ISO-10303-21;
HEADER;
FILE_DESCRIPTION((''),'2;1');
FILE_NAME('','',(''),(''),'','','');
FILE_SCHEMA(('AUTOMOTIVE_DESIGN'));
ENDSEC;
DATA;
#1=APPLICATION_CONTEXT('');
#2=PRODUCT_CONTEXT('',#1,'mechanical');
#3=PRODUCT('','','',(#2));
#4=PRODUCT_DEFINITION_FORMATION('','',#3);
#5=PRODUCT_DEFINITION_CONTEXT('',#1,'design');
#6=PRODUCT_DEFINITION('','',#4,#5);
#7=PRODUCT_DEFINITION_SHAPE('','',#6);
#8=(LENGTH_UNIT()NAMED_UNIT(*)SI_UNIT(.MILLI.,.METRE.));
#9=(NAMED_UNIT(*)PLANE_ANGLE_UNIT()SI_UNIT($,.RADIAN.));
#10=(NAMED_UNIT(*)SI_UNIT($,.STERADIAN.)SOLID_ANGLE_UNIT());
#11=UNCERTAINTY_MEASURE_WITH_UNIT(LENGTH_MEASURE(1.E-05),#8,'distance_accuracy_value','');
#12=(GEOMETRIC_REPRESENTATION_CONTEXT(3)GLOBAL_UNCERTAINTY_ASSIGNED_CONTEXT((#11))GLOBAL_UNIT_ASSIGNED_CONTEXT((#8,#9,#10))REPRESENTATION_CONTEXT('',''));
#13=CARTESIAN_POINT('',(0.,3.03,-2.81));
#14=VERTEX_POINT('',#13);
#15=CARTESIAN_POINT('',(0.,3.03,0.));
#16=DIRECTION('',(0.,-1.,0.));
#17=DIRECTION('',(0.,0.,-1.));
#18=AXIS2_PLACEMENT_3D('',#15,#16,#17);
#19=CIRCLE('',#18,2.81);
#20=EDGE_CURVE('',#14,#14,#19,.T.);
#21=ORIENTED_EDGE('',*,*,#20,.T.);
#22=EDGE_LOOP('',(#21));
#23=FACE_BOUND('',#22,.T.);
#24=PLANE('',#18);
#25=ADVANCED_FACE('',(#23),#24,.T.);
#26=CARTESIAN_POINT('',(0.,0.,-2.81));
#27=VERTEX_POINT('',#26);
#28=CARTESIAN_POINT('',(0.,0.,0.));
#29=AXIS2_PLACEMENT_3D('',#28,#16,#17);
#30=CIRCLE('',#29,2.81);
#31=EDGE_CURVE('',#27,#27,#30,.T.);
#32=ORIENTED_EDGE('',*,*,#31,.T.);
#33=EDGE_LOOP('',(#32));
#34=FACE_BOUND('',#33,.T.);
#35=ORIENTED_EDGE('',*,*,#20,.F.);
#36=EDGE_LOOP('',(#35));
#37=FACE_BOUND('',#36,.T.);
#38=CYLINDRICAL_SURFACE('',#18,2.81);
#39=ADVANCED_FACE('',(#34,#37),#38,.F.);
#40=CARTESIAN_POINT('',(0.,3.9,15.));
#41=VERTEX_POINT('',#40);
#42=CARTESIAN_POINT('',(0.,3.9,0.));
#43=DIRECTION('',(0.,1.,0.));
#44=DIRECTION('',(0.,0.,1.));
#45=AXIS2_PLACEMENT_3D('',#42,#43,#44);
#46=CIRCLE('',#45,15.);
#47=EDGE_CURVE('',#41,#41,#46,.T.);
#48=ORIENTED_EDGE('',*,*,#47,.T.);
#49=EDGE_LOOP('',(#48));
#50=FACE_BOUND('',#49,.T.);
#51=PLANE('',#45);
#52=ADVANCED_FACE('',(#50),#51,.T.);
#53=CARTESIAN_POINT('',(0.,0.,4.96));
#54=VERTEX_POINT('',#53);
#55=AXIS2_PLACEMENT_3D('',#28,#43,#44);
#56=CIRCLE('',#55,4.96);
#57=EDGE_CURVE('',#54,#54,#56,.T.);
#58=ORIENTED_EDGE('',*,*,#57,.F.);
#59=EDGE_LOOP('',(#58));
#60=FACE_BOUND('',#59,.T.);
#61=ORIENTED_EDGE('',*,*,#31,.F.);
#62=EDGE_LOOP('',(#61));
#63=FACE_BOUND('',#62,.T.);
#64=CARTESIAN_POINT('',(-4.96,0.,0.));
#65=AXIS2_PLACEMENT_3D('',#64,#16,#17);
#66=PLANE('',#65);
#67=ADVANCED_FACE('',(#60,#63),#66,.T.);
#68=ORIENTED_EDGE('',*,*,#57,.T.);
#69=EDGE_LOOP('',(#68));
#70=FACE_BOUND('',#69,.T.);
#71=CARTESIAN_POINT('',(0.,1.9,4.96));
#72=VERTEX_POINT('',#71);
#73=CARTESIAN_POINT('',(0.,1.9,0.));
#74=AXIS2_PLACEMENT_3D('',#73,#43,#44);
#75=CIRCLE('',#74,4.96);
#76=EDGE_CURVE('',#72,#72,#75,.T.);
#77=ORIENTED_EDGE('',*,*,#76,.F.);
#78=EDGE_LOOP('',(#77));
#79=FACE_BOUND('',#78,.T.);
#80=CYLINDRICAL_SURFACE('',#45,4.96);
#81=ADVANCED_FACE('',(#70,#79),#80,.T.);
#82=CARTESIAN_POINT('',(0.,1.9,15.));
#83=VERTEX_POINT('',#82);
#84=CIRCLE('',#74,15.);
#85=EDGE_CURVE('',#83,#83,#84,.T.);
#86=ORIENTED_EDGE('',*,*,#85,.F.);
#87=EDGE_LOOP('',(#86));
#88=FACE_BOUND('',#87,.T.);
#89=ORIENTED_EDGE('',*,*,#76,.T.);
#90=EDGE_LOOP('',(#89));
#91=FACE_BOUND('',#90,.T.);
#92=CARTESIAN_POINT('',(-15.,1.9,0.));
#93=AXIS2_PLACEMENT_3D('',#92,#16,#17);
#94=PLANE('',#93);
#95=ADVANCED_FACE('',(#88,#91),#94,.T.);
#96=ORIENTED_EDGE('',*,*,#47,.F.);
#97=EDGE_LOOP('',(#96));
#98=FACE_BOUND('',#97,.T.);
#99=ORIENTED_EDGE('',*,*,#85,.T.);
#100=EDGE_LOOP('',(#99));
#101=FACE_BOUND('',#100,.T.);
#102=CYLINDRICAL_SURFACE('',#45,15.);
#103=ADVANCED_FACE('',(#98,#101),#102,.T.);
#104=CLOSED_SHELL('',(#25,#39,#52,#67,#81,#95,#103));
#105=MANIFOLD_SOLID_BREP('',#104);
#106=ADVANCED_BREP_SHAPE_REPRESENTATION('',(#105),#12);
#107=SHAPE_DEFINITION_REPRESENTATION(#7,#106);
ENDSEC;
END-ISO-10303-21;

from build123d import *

# Parameters (mm, degrees)
SKETCH2_R          = 2.81
CUT_EXTRUDE1_DEPTH = 3.03


with BuildPart() as part:
    # Sketch1 → Revolve1 (revolve)
    with BuildSketch(Plane.XY):
        Polygon((0, 3.9), (-15, 3.9), (-15, 1.9), (-4.96, 1.9), (-4.96, 0), (0, 0), align=None)
    revolve(axis=Axis((0, 3.9, 0), (0, -1, 0)))

    # Sketch2 → Cut-Extrude1 (cut)
    with BuildSketch(Plane.XZ):
        Circle(SKETCH2_R)
    extrude(amount=-CUT_EXTRUDE1_DEPTH, mode=Mode.SUBTRACT)


solid = part.part
